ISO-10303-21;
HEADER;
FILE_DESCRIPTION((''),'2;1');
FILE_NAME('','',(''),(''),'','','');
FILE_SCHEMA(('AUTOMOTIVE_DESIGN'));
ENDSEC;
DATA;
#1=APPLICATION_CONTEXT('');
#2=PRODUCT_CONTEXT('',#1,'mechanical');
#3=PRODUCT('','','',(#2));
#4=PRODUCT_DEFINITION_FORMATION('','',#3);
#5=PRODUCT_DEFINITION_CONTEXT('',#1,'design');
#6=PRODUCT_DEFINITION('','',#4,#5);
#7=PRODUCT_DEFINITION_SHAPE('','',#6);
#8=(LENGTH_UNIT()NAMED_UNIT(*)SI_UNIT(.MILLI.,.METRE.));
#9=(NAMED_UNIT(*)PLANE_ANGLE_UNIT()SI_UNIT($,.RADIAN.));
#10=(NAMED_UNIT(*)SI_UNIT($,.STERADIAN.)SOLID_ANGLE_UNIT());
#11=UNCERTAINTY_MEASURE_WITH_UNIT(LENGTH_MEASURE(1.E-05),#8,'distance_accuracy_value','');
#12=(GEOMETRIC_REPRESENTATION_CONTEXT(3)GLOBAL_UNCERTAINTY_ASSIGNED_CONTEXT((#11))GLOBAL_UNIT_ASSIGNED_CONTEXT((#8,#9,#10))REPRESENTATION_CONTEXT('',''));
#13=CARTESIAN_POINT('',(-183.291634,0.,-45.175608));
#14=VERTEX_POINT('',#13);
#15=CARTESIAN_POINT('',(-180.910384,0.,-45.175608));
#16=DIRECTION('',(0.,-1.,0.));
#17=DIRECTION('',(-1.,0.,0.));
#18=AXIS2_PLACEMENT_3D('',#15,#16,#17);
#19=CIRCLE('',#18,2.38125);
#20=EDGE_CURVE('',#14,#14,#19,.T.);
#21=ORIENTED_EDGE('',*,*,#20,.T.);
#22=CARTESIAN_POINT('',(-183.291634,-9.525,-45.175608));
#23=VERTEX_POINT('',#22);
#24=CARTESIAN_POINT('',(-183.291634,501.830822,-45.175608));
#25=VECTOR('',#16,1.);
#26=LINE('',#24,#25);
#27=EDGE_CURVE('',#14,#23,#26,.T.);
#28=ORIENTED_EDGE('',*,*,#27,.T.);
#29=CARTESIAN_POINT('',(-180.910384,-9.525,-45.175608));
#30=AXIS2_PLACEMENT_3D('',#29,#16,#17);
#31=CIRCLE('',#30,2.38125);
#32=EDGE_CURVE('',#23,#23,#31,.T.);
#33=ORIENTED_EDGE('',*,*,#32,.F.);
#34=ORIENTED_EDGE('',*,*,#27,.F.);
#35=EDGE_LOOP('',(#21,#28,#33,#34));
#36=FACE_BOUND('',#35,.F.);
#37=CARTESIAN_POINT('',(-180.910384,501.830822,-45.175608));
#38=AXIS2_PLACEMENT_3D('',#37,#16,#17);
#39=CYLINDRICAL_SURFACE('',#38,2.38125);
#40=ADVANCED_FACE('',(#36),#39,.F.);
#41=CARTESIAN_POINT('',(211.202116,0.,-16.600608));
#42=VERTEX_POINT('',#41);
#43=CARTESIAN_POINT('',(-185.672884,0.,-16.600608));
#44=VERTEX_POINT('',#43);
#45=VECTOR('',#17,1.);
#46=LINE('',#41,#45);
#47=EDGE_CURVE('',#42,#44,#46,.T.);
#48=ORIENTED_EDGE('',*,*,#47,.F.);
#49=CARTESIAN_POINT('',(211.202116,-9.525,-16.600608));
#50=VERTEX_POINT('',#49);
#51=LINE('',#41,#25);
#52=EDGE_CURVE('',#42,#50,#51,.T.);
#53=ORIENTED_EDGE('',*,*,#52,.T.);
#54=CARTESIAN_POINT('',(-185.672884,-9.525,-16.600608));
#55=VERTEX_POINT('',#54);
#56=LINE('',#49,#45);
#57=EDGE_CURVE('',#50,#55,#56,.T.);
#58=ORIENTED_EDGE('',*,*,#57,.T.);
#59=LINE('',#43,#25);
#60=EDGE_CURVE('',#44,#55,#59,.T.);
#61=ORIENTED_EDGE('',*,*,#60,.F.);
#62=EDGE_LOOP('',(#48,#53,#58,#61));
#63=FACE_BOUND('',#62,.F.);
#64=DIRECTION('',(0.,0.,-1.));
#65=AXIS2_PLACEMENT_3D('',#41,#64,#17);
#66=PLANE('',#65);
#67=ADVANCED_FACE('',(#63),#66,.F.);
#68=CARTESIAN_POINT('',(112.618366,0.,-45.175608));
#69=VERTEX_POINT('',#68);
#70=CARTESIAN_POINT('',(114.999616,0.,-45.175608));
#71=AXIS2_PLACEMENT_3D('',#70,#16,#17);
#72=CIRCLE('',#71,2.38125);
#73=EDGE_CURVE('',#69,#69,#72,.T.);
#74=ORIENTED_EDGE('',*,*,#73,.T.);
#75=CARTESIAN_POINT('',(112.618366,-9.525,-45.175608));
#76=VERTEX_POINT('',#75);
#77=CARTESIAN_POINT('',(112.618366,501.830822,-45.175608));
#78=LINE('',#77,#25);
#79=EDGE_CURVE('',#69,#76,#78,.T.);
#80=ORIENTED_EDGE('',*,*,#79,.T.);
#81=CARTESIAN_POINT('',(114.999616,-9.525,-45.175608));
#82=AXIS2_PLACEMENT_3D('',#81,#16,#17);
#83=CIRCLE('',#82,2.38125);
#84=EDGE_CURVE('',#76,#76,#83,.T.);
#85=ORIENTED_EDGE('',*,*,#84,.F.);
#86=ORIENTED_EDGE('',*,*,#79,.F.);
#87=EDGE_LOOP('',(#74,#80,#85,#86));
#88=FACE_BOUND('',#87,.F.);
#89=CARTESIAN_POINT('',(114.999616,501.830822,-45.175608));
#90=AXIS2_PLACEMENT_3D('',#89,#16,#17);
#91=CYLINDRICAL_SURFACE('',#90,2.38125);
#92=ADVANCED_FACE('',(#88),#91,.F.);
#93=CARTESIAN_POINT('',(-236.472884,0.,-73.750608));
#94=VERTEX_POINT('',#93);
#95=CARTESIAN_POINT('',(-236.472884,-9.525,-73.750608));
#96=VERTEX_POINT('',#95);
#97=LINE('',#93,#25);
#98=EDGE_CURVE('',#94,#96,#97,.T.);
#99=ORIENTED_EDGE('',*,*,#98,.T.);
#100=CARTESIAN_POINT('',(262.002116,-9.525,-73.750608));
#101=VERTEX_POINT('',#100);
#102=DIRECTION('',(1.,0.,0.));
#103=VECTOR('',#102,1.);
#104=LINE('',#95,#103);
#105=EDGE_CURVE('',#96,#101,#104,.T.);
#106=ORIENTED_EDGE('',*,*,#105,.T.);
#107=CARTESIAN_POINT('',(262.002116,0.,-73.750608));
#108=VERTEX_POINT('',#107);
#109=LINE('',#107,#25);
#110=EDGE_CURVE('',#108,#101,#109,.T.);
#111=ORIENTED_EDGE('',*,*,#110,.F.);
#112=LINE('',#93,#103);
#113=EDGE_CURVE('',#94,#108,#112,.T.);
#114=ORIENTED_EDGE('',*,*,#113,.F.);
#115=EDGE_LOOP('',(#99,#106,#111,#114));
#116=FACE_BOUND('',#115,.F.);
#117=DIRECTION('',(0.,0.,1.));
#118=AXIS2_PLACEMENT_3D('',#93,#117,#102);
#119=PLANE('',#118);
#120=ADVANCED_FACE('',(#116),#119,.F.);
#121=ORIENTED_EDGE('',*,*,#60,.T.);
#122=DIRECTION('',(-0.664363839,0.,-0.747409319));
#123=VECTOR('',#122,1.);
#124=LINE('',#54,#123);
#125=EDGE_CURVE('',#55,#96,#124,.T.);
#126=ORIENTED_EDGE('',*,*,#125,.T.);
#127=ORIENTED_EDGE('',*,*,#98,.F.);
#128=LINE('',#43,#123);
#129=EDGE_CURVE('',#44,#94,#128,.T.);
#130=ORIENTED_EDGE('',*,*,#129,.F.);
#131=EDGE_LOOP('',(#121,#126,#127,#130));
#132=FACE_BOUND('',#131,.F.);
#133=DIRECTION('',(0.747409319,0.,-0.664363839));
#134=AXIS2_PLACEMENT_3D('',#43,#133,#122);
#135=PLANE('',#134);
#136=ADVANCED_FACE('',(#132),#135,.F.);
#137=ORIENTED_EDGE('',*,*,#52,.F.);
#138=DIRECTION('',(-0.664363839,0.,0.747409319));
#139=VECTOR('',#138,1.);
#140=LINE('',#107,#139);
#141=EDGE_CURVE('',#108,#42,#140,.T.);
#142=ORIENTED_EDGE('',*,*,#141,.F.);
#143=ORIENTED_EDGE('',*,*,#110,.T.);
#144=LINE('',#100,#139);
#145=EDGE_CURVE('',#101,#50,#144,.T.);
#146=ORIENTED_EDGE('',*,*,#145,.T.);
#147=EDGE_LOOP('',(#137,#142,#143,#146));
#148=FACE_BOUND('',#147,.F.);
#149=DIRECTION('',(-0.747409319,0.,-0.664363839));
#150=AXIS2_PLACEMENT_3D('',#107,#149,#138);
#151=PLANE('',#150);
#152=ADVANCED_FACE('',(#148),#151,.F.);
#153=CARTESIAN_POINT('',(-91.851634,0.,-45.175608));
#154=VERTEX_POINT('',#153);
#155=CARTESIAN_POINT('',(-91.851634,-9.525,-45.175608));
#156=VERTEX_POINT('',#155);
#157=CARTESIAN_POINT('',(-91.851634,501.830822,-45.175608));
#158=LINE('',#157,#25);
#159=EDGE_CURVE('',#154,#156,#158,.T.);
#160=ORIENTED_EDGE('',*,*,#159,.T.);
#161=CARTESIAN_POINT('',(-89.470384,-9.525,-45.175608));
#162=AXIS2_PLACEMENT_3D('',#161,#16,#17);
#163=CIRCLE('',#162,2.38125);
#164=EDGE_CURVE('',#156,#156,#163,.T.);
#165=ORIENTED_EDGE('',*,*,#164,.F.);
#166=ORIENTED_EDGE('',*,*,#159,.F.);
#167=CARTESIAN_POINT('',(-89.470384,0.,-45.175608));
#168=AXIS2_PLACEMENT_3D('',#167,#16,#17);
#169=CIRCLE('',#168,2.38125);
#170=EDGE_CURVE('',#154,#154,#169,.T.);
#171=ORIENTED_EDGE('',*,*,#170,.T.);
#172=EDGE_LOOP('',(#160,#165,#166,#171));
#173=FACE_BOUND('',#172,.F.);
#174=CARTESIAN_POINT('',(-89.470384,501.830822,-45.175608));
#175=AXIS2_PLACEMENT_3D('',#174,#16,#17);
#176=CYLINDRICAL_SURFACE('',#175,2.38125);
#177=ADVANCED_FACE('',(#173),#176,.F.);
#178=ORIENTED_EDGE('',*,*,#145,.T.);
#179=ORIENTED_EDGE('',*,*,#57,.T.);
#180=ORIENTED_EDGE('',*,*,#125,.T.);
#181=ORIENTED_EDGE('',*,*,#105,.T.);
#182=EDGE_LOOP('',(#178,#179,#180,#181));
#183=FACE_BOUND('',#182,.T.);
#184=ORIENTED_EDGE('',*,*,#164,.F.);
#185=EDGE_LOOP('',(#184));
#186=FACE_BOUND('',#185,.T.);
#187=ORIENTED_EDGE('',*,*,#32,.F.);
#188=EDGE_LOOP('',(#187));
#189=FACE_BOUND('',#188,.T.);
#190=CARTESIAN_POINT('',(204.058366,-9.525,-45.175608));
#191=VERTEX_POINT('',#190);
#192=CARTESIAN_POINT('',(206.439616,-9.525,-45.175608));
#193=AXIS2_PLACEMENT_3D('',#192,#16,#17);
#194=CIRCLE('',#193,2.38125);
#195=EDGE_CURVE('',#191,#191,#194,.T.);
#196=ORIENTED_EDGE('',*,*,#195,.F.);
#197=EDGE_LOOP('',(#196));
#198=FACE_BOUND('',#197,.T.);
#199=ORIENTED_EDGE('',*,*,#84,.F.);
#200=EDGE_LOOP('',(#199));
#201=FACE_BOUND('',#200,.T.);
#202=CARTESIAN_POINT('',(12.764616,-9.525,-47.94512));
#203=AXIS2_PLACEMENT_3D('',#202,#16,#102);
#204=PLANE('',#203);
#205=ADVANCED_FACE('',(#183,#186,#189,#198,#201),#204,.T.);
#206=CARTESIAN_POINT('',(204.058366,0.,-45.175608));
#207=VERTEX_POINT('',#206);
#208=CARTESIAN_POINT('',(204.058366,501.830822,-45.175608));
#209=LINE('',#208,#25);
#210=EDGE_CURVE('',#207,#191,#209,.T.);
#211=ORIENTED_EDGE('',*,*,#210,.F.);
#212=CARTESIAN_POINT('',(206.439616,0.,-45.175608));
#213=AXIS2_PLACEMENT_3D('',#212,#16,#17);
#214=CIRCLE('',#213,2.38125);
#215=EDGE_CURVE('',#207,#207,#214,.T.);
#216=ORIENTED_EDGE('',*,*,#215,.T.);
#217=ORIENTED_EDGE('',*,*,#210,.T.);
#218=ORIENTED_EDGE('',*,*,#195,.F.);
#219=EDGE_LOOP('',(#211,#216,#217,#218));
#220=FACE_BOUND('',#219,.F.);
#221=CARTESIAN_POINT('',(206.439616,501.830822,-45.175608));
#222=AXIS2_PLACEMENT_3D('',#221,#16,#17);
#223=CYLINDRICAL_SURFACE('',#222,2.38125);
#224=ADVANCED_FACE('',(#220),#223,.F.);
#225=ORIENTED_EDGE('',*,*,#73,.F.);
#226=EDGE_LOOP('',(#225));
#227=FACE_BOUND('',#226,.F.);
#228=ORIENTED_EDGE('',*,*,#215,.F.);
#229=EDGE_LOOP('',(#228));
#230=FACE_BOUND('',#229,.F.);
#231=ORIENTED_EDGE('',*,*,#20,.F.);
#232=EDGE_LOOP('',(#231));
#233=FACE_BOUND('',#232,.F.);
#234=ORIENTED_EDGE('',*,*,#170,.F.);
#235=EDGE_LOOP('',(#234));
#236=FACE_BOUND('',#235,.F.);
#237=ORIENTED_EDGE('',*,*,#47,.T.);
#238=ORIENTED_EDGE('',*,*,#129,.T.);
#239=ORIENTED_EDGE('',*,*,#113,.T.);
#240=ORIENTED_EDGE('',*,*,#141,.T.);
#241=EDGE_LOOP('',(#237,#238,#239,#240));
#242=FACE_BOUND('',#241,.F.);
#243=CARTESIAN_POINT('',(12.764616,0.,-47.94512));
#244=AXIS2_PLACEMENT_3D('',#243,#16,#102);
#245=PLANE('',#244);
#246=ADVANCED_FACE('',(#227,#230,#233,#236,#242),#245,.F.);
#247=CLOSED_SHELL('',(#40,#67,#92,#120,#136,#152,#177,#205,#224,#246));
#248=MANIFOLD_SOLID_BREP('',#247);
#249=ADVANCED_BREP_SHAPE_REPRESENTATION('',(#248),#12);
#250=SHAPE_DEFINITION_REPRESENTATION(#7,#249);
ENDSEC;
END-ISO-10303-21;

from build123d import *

# Parameters (mm, degrees)
F1_DEPTH = 9.525
F2_DEPTH = 9.525
F3_D     = 4.7625
F4_D     = 4.7625
F5_D     = 4.7625
F6_D     = 4.7625


with BuildPart() as f1:
    # F0 (on Front) → F1 (new body)
    with BuildSketch(Plane.XZ):
        Polygon((211.2021158695, -16.6006076694), (-185.6728841305, -16.6006076694), (-236.4728841305, -73.7506076694), (-185.6728841305, -73.7506076694), (-93.5978841305, -73.7506076694), (119.1271158695, -73.7506076694), (211.2021158695, -73.7506076694), (262.0021158695, -73.7506076694), align=None)
    extrude(amount=F1_DEPTH)

    # F0 (on Front) → F2 (join)
    with BuildSketch(Plane.XZ):
        Polygon((211.2021158695, -16.6006076694), (-185.6728841305, -16.6006076694), (-236.4728841305, -73.7506076694), (-185.6728841305, -73.7506076694), (-93.5978841305, -73.7506076694), (119.1271158695, -73.7506076694), (211.2021158695, -73.7506076694), (262.0021158695, -73.7506076694), align=None)
    extrude(amount=F2_DEPTH)

    # F3 (through all)
    with Locations(Plane(origin=(0, 0, 0), x_dir=(1, 0, 0), z_dir=(0, 1, 0))):
        with Locations((114.9996158695, 45.1756076694)):
            Hole(F3_D / 2)

    # F4 (through all)
    with Locations(Plane(origin=(0, 0, 0), x_dir=(1, 0, 0), z_dir=(0, 1, 0))):
        with Locations((-89.4703841305, 45.1756076694)):
            Hole(F4_D / 2)

    # F5 (through all)
    with Locations(Plane(origin=(0, 0, 0), x_dir=(1, 0, 0), z_dir=(0, 1, 0))):
        with Locations((206.4396158695, 45.1756076694)):
            Hole(F5_D / 2)

    # F6 (through all)
    with Locations(Plane(origin=(0, 0, 0), x_dir=(1, 0, 0), z_dir=(0, 1, 0))):
        with Locations((-180.9103841305, 45.1756076694)):
            Hole(F6_D / 2)


solid = f1.part
